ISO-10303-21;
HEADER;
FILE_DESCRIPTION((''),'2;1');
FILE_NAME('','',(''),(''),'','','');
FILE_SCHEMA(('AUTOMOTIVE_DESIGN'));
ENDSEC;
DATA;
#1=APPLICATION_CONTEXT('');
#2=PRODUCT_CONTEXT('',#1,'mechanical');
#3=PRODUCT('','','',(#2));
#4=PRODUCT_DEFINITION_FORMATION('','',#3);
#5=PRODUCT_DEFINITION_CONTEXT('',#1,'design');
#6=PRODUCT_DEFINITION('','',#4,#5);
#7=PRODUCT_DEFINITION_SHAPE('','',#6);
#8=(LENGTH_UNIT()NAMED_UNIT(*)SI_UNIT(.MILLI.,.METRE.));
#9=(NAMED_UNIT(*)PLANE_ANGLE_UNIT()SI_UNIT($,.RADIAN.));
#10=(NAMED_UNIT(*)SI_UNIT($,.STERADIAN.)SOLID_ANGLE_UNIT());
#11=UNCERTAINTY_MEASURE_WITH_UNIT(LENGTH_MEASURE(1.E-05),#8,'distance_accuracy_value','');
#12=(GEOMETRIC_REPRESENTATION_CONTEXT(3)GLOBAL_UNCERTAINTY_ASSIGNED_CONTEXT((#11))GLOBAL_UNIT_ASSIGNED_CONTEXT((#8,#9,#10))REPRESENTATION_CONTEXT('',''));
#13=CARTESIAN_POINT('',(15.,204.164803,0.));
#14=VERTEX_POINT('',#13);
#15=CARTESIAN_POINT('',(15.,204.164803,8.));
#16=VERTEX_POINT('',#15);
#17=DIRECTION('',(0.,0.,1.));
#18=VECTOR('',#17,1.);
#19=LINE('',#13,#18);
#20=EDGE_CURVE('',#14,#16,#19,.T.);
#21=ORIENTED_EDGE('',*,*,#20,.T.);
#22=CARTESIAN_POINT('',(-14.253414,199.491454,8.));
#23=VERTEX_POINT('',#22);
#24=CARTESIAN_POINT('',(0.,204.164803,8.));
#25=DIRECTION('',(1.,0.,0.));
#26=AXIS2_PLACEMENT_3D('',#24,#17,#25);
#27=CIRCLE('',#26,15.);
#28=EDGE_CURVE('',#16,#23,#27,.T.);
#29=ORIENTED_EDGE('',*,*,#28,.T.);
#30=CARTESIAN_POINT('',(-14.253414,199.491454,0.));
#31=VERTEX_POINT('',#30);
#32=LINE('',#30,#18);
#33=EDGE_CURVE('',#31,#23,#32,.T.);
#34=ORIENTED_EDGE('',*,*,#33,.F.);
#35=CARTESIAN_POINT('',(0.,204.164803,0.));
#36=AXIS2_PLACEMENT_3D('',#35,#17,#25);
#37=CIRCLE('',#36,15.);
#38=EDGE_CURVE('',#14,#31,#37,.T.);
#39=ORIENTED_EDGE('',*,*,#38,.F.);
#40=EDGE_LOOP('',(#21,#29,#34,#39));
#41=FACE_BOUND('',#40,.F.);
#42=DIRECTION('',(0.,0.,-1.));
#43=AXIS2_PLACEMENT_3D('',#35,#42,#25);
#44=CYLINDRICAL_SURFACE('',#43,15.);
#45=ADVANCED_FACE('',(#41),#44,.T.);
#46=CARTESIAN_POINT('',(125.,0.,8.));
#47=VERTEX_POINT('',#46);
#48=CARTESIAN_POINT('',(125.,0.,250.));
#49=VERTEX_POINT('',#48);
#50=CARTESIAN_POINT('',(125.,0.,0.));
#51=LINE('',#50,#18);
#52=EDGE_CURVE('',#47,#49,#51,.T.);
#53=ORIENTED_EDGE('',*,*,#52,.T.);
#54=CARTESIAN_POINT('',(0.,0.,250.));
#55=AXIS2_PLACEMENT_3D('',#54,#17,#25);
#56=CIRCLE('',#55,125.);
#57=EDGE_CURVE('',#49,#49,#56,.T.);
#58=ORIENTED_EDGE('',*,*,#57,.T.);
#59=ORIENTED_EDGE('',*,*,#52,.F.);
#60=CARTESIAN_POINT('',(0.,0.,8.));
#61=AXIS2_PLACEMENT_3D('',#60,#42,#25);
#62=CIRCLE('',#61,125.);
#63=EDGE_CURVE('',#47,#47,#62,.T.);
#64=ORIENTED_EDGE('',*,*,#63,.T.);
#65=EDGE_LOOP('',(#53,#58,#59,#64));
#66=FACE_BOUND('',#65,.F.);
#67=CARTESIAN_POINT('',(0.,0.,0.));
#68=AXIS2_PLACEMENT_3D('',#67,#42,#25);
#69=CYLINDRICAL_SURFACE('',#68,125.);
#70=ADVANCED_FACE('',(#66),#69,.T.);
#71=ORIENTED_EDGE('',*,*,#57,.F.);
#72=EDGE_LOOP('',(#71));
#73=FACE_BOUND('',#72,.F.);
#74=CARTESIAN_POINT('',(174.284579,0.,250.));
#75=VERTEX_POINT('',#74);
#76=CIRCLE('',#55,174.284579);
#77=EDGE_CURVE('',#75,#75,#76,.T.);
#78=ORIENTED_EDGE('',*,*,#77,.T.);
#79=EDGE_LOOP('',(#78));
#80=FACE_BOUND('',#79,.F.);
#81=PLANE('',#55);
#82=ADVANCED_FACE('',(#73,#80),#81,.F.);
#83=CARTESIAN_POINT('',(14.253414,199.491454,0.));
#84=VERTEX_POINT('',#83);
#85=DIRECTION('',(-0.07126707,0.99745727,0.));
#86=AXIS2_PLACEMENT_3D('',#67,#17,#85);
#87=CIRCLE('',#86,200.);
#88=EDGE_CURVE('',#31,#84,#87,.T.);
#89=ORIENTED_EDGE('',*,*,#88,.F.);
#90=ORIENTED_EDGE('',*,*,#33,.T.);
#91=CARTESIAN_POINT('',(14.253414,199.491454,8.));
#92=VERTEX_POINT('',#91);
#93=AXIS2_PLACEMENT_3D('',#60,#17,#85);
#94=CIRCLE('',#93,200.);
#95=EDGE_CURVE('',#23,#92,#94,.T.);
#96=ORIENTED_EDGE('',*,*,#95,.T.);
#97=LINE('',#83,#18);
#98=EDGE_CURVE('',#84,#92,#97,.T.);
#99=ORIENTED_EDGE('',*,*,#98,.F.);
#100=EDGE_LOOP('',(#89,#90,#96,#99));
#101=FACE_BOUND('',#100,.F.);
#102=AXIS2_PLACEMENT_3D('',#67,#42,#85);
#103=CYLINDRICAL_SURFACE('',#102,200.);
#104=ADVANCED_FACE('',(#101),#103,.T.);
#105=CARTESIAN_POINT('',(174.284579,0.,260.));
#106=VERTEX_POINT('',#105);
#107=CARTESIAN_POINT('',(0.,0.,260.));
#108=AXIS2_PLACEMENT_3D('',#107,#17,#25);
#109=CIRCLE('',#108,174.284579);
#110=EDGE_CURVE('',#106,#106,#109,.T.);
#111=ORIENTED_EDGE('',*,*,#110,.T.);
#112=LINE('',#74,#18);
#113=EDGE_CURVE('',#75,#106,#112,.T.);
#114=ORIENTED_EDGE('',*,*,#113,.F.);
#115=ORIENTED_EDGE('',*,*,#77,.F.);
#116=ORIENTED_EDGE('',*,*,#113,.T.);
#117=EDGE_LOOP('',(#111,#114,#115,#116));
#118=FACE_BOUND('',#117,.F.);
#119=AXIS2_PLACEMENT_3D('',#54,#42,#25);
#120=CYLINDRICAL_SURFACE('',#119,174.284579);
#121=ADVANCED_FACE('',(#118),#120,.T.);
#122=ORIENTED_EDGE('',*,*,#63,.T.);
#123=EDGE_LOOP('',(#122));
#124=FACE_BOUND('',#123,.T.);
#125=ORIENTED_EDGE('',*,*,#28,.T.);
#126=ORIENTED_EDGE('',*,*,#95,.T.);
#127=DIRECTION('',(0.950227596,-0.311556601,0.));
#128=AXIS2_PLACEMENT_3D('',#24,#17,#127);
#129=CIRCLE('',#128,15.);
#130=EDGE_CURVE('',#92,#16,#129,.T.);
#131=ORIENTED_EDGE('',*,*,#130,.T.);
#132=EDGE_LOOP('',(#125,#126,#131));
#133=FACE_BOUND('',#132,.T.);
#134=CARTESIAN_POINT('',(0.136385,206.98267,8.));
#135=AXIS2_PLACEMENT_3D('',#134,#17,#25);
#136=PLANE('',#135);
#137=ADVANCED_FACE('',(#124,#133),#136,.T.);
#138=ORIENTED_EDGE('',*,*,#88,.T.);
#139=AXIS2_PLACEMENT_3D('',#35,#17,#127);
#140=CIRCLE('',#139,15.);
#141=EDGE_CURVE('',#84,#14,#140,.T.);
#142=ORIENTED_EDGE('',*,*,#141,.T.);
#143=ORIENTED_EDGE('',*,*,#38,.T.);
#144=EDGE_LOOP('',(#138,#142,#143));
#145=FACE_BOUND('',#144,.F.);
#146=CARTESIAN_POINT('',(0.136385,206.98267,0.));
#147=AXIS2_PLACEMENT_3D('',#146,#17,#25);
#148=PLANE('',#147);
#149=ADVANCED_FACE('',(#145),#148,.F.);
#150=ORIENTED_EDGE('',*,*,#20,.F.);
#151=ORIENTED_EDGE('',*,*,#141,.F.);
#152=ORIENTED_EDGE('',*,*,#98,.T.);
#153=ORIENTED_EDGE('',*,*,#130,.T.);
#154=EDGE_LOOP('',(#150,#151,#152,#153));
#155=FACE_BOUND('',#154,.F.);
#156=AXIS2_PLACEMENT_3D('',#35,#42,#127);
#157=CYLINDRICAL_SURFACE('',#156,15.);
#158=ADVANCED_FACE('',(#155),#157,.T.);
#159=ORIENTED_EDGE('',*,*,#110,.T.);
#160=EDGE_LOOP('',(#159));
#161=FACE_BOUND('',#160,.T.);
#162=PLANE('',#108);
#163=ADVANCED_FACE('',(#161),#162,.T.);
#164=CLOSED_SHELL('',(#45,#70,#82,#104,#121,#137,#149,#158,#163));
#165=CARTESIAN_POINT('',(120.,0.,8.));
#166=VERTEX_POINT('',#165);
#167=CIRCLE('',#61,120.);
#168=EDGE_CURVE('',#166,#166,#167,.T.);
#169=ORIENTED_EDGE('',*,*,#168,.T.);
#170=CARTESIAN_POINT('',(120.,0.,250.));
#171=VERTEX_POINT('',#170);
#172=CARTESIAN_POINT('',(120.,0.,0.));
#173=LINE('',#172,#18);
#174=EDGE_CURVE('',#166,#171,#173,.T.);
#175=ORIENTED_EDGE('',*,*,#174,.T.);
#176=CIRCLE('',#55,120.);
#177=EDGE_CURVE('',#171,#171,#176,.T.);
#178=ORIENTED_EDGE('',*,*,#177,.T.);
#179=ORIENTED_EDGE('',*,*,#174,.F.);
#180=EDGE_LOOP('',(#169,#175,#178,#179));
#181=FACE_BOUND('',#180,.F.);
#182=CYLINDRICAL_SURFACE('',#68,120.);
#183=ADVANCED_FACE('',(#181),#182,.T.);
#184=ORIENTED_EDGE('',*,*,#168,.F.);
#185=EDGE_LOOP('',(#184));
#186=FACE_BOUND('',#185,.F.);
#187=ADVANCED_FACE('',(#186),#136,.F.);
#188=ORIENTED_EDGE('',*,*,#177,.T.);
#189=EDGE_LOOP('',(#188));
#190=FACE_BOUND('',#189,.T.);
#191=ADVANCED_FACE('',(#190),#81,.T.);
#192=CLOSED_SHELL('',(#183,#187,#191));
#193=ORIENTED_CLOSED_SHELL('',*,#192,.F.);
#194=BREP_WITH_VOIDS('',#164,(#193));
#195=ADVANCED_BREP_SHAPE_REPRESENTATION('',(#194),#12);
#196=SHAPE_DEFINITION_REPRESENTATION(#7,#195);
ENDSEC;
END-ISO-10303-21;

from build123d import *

# Parameters (mm, degrees)
F0_R     = 125
F0_R_2   = 120
F1_DEPTH = 250
F3_DEPTH = 8
F4_R     = 174.2845789598
F5_DEPTH = 10


with BuildPart() as f1:
    # F0 (on Top) → F1 (new body)
    with BuildSketch(Plane.XY):
        Circle(F0_R)
        Circle(F0_R_2, mode=Mode.SUBTRACT)
    extrude(amount=F1_DEPTH)

    # F2 (on Top) → F3 (join)
    with BuildSketch(Plane.XY):
        with BuildLine():
            ThreePointArc((14.2534139423, 199.4914539297), (14.8121775768, 201.7984987702), (15, 204.1648029419))
            ThreePointArc((15, 204.1648029419), (-2.3663041716, 218.9769805187), (-14.2534139423, 199.4914539297))
            ThreePointArc((-14.2534139423, 199.4914539297), (0, 200), (14.2534139423, 199.4914539297))
        make_face()
        with BuildLine():
            ThreePointArc((14.2534139423, 199.4914539297), (0, 200), (-14.2534139423, 199.4914539297))
            ThreePointArc((-14.2534139423, 199.4914539297), (0, 189.1648029419), (14.2534139423, 199.4914539297))
        make_face()
        with BuildLine():
            ThreePointArc((14.2534139423, 199.4914539297), (0, 189.1648029419), (-14.2534139423, 199.4914539297))
            ThreePointArc((-14.2534139423, 199.4914539297), (-136.2888792447, -146.3739778589), (200, 0))
            ThreePointArc((200, 0), (146.3739778589, 136.2888792447), (14.2534139423, 199.4914539297))
        make_face()
    extrude(amount=F3_DEPTH)

    # F4 (on face) → F5 (join)
    with BuildSketch(Plane.XY.offset(250)):
        Circle(F4_R)
    extrude(amount=F5_DEPTH)


solid = f1.part
